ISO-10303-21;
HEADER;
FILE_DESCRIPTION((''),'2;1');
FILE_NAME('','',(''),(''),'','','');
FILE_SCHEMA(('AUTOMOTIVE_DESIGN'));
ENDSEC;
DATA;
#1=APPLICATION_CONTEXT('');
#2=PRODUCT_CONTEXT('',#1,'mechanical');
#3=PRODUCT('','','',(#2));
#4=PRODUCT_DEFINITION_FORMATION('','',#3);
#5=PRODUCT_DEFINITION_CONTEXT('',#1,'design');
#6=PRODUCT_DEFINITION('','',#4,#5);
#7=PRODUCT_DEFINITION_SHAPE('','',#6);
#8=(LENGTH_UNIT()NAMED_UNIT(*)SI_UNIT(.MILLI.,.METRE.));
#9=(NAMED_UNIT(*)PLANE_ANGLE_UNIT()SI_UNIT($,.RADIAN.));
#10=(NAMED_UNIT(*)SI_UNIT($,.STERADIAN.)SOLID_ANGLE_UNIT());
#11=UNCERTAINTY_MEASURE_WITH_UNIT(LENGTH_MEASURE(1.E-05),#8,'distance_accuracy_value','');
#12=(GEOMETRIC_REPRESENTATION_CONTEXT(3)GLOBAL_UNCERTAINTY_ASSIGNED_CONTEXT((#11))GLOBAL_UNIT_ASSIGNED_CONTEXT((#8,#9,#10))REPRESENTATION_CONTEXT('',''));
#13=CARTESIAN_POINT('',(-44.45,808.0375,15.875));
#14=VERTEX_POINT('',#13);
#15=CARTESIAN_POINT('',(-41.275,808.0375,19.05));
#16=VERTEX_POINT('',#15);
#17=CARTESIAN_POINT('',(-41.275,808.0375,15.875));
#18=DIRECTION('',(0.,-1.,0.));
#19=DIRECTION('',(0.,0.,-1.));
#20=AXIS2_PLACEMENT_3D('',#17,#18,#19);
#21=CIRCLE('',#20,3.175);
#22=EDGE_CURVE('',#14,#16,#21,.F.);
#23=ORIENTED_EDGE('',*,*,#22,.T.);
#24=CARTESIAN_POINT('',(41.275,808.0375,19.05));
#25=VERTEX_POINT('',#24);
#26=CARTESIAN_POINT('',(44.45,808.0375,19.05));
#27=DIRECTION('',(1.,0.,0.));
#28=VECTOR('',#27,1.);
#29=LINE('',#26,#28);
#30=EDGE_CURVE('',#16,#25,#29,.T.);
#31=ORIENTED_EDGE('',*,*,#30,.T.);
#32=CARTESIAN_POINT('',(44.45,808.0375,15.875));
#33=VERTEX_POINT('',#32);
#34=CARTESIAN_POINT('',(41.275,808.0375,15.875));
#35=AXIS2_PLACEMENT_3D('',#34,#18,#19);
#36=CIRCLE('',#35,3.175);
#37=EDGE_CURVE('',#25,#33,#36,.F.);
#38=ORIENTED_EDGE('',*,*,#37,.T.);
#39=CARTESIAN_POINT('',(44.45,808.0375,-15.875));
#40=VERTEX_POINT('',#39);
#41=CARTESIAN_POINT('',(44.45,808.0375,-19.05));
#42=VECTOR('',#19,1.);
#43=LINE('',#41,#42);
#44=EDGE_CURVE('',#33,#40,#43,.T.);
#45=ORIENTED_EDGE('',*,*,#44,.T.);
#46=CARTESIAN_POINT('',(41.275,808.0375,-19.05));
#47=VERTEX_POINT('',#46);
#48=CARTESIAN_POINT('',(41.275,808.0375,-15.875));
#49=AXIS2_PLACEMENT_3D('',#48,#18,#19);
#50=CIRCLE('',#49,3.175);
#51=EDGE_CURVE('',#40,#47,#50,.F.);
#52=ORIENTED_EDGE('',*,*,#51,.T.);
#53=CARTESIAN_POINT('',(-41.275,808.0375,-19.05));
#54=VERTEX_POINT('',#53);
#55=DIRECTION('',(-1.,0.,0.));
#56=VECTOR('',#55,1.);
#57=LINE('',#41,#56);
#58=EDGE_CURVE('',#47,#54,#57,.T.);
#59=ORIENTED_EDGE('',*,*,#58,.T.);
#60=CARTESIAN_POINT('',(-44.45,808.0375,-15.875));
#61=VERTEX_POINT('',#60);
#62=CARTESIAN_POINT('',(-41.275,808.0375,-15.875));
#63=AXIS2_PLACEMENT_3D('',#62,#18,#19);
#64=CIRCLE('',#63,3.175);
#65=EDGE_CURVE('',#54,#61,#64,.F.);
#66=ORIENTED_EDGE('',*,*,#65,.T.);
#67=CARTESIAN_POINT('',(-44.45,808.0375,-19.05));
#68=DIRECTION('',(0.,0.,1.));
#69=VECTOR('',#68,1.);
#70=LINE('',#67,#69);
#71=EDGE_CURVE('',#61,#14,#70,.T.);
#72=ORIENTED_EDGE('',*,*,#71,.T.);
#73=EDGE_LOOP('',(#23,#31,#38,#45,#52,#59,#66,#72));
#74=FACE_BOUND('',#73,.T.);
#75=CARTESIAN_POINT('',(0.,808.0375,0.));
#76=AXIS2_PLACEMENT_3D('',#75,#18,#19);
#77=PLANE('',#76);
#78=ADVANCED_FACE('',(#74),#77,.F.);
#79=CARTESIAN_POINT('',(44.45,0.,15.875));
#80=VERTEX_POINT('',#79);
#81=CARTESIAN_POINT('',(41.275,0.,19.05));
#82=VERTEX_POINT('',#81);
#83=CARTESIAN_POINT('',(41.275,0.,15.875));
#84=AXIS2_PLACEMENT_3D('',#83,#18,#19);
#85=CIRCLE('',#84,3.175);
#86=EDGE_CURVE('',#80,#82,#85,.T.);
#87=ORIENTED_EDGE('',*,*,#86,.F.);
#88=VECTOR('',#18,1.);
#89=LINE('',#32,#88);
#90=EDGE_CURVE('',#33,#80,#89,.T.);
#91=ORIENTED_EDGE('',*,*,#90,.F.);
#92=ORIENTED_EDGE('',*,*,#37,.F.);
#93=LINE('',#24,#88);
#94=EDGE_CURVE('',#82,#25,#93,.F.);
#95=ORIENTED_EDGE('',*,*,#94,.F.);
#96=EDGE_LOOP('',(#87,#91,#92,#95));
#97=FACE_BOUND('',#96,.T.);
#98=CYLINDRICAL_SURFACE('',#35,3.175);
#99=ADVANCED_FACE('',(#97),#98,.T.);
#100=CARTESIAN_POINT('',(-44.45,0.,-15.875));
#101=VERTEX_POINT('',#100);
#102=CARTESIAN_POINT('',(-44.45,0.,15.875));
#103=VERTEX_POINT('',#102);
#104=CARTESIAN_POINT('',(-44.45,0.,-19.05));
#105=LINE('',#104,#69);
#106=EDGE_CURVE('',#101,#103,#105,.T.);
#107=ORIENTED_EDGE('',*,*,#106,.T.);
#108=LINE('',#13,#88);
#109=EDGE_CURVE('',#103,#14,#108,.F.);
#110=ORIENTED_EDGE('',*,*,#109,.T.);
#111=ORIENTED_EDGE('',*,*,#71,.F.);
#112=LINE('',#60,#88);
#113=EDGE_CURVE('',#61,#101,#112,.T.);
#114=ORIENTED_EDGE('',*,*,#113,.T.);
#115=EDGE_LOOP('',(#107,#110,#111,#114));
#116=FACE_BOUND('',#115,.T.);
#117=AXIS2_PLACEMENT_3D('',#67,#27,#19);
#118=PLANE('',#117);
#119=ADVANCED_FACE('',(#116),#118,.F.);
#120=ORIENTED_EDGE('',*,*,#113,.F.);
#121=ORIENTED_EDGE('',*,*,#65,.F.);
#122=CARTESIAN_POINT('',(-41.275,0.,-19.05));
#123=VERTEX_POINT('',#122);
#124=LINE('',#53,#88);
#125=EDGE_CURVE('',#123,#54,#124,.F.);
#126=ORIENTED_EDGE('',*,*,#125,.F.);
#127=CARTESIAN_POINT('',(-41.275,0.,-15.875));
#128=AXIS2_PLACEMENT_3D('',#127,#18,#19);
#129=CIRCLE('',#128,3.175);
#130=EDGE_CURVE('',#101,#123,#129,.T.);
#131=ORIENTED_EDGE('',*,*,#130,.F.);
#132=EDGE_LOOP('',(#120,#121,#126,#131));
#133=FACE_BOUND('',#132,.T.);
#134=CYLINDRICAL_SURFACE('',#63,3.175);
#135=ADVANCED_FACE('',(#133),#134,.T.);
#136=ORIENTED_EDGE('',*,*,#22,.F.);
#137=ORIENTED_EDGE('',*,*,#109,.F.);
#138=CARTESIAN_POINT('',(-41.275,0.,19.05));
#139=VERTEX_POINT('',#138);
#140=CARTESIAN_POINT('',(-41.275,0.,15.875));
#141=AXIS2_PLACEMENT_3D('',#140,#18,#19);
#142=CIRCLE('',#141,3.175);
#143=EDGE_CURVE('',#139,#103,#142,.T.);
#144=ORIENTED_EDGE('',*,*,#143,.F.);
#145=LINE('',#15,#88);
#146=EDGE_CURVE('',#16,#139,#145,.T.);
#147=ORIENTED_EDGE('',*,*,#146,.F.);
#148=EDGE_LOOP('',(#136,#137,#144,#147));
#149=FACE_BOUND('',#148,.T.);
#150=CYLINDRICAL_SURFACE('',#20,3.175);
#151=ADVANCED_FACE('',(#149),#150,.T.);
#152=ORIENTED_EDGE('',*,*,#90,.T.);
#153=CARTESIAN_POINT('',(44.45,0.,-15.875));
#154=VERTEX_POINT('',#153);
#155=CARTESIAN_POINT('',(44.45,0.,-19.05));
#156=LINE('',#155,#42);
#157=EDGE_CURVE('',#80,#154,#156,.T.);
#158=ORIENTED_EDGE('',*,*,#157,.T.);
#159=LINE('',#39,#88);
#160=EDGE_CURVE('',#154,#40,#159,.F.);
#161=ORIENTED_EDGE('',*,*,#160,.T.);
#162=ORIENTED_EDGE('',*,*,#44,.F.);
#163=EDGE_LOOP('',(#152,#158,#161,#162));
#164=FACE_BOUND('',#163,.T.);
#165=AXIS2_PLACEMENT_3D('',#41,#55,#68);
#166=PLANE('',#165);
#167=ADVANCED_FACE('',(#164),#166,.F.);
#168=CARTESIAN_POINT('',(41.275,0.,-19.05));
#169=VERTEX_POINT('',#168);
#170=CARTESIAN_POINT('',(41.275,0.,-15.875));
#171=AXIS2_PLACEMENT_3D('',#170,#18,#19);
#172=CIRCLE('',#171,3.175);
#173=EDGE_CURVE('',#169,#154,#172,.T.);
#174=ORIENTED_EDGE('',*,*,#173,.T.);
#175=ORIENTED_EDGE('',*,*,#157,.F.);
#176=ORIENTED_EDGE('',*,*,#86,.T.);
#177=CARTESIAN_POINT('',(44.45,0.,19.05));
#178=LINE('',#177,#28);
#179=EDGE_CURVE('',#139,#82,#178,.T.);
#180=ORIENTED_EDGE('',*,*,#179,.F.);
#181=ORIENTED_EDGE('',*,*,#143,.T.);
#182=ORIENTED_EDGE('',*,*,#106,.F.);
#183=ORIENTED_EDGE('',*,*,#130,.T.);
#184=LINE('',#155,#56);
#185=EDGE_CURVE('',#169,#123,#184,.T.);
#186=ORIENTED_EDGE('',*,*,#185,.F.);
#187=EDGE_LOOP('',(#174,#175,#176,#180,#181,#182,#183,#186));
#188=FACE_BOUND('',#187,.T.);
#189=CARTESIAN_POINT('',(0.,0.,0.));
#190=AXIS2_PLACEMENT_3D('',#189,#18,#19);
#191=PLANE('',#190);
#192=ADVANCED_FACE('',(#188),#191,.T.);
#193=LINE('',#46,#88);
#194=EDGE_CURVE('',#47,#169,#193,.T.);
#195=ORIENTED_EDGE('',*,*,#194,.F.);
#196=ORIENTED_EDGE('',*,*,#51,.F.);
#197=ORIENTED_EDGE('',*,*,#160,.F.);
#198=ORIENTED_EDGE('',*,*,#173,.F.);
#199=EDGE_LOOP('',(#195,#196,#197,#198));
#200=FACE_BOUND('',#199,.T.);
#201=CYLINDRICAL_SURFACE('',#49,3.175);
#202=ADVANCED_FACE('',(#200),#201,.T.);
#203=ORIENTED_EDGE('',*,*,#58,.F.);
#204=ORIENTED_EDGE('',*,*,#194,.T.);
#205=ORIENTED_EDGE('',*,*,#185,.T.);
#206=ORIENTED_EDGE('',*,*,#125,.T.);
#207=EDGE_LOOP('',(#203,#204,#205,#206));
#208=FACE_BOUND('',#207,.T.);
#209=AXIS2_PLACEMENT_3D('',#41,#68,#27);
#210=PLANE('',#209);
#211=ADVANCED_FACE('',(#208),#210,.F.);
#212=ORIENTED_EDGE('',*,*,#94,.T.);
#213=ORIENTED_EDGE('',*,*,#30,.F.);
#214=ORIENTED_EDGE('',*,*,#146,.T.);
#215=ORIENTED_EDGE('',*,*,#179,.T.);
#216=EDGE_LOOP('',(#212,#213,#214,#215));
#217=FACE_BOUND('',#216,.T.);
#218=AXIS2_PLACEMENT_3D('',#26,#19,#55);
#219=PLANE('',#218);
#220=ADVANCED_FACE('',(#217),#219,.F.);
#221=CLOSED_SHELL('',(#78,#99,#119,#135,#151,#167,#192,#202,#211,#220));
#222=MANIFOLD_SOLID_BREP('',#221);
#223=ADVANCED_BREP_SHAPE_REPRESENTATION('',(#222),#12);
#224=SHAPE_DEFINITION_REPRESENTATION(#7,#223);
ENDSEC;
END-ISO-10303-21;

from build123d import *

# Parameters (mm, degrees)
SKETCH1_W           = 88.9
SKETCH1_H           = 38.1
BOSS_EXTRUDE1_DEPTH = 808.0375
FILLET1_R           = 3.175


with BuildPart() as part:
    # Sketch1 → Boss-Extrude1 (new body)
    with BuildSketch(Plane(origin=(0, 0, 0), x_dir=(1, 0, 0), z_dir=(0, 1, 0))):
        Rectangle(SKETCH1_W, SKETCH1_H)
    extrude(amount=BOSS_EXTRUDE1_DEPTH)

    # Fillet1
    fillet1_edges = [part.edges().sort_by_distance(p)[0] for p in [
        (-44.45, 404.01875, -19.05),
        (44.45, 404.01875, -19.05),
        (44.45, 404.01875, 19.05),
        (-44.45, 404.01875, 19.05),
    ]]
    fillet(fillet1_edges, radius=FILLET1_R)


solid = part.part
